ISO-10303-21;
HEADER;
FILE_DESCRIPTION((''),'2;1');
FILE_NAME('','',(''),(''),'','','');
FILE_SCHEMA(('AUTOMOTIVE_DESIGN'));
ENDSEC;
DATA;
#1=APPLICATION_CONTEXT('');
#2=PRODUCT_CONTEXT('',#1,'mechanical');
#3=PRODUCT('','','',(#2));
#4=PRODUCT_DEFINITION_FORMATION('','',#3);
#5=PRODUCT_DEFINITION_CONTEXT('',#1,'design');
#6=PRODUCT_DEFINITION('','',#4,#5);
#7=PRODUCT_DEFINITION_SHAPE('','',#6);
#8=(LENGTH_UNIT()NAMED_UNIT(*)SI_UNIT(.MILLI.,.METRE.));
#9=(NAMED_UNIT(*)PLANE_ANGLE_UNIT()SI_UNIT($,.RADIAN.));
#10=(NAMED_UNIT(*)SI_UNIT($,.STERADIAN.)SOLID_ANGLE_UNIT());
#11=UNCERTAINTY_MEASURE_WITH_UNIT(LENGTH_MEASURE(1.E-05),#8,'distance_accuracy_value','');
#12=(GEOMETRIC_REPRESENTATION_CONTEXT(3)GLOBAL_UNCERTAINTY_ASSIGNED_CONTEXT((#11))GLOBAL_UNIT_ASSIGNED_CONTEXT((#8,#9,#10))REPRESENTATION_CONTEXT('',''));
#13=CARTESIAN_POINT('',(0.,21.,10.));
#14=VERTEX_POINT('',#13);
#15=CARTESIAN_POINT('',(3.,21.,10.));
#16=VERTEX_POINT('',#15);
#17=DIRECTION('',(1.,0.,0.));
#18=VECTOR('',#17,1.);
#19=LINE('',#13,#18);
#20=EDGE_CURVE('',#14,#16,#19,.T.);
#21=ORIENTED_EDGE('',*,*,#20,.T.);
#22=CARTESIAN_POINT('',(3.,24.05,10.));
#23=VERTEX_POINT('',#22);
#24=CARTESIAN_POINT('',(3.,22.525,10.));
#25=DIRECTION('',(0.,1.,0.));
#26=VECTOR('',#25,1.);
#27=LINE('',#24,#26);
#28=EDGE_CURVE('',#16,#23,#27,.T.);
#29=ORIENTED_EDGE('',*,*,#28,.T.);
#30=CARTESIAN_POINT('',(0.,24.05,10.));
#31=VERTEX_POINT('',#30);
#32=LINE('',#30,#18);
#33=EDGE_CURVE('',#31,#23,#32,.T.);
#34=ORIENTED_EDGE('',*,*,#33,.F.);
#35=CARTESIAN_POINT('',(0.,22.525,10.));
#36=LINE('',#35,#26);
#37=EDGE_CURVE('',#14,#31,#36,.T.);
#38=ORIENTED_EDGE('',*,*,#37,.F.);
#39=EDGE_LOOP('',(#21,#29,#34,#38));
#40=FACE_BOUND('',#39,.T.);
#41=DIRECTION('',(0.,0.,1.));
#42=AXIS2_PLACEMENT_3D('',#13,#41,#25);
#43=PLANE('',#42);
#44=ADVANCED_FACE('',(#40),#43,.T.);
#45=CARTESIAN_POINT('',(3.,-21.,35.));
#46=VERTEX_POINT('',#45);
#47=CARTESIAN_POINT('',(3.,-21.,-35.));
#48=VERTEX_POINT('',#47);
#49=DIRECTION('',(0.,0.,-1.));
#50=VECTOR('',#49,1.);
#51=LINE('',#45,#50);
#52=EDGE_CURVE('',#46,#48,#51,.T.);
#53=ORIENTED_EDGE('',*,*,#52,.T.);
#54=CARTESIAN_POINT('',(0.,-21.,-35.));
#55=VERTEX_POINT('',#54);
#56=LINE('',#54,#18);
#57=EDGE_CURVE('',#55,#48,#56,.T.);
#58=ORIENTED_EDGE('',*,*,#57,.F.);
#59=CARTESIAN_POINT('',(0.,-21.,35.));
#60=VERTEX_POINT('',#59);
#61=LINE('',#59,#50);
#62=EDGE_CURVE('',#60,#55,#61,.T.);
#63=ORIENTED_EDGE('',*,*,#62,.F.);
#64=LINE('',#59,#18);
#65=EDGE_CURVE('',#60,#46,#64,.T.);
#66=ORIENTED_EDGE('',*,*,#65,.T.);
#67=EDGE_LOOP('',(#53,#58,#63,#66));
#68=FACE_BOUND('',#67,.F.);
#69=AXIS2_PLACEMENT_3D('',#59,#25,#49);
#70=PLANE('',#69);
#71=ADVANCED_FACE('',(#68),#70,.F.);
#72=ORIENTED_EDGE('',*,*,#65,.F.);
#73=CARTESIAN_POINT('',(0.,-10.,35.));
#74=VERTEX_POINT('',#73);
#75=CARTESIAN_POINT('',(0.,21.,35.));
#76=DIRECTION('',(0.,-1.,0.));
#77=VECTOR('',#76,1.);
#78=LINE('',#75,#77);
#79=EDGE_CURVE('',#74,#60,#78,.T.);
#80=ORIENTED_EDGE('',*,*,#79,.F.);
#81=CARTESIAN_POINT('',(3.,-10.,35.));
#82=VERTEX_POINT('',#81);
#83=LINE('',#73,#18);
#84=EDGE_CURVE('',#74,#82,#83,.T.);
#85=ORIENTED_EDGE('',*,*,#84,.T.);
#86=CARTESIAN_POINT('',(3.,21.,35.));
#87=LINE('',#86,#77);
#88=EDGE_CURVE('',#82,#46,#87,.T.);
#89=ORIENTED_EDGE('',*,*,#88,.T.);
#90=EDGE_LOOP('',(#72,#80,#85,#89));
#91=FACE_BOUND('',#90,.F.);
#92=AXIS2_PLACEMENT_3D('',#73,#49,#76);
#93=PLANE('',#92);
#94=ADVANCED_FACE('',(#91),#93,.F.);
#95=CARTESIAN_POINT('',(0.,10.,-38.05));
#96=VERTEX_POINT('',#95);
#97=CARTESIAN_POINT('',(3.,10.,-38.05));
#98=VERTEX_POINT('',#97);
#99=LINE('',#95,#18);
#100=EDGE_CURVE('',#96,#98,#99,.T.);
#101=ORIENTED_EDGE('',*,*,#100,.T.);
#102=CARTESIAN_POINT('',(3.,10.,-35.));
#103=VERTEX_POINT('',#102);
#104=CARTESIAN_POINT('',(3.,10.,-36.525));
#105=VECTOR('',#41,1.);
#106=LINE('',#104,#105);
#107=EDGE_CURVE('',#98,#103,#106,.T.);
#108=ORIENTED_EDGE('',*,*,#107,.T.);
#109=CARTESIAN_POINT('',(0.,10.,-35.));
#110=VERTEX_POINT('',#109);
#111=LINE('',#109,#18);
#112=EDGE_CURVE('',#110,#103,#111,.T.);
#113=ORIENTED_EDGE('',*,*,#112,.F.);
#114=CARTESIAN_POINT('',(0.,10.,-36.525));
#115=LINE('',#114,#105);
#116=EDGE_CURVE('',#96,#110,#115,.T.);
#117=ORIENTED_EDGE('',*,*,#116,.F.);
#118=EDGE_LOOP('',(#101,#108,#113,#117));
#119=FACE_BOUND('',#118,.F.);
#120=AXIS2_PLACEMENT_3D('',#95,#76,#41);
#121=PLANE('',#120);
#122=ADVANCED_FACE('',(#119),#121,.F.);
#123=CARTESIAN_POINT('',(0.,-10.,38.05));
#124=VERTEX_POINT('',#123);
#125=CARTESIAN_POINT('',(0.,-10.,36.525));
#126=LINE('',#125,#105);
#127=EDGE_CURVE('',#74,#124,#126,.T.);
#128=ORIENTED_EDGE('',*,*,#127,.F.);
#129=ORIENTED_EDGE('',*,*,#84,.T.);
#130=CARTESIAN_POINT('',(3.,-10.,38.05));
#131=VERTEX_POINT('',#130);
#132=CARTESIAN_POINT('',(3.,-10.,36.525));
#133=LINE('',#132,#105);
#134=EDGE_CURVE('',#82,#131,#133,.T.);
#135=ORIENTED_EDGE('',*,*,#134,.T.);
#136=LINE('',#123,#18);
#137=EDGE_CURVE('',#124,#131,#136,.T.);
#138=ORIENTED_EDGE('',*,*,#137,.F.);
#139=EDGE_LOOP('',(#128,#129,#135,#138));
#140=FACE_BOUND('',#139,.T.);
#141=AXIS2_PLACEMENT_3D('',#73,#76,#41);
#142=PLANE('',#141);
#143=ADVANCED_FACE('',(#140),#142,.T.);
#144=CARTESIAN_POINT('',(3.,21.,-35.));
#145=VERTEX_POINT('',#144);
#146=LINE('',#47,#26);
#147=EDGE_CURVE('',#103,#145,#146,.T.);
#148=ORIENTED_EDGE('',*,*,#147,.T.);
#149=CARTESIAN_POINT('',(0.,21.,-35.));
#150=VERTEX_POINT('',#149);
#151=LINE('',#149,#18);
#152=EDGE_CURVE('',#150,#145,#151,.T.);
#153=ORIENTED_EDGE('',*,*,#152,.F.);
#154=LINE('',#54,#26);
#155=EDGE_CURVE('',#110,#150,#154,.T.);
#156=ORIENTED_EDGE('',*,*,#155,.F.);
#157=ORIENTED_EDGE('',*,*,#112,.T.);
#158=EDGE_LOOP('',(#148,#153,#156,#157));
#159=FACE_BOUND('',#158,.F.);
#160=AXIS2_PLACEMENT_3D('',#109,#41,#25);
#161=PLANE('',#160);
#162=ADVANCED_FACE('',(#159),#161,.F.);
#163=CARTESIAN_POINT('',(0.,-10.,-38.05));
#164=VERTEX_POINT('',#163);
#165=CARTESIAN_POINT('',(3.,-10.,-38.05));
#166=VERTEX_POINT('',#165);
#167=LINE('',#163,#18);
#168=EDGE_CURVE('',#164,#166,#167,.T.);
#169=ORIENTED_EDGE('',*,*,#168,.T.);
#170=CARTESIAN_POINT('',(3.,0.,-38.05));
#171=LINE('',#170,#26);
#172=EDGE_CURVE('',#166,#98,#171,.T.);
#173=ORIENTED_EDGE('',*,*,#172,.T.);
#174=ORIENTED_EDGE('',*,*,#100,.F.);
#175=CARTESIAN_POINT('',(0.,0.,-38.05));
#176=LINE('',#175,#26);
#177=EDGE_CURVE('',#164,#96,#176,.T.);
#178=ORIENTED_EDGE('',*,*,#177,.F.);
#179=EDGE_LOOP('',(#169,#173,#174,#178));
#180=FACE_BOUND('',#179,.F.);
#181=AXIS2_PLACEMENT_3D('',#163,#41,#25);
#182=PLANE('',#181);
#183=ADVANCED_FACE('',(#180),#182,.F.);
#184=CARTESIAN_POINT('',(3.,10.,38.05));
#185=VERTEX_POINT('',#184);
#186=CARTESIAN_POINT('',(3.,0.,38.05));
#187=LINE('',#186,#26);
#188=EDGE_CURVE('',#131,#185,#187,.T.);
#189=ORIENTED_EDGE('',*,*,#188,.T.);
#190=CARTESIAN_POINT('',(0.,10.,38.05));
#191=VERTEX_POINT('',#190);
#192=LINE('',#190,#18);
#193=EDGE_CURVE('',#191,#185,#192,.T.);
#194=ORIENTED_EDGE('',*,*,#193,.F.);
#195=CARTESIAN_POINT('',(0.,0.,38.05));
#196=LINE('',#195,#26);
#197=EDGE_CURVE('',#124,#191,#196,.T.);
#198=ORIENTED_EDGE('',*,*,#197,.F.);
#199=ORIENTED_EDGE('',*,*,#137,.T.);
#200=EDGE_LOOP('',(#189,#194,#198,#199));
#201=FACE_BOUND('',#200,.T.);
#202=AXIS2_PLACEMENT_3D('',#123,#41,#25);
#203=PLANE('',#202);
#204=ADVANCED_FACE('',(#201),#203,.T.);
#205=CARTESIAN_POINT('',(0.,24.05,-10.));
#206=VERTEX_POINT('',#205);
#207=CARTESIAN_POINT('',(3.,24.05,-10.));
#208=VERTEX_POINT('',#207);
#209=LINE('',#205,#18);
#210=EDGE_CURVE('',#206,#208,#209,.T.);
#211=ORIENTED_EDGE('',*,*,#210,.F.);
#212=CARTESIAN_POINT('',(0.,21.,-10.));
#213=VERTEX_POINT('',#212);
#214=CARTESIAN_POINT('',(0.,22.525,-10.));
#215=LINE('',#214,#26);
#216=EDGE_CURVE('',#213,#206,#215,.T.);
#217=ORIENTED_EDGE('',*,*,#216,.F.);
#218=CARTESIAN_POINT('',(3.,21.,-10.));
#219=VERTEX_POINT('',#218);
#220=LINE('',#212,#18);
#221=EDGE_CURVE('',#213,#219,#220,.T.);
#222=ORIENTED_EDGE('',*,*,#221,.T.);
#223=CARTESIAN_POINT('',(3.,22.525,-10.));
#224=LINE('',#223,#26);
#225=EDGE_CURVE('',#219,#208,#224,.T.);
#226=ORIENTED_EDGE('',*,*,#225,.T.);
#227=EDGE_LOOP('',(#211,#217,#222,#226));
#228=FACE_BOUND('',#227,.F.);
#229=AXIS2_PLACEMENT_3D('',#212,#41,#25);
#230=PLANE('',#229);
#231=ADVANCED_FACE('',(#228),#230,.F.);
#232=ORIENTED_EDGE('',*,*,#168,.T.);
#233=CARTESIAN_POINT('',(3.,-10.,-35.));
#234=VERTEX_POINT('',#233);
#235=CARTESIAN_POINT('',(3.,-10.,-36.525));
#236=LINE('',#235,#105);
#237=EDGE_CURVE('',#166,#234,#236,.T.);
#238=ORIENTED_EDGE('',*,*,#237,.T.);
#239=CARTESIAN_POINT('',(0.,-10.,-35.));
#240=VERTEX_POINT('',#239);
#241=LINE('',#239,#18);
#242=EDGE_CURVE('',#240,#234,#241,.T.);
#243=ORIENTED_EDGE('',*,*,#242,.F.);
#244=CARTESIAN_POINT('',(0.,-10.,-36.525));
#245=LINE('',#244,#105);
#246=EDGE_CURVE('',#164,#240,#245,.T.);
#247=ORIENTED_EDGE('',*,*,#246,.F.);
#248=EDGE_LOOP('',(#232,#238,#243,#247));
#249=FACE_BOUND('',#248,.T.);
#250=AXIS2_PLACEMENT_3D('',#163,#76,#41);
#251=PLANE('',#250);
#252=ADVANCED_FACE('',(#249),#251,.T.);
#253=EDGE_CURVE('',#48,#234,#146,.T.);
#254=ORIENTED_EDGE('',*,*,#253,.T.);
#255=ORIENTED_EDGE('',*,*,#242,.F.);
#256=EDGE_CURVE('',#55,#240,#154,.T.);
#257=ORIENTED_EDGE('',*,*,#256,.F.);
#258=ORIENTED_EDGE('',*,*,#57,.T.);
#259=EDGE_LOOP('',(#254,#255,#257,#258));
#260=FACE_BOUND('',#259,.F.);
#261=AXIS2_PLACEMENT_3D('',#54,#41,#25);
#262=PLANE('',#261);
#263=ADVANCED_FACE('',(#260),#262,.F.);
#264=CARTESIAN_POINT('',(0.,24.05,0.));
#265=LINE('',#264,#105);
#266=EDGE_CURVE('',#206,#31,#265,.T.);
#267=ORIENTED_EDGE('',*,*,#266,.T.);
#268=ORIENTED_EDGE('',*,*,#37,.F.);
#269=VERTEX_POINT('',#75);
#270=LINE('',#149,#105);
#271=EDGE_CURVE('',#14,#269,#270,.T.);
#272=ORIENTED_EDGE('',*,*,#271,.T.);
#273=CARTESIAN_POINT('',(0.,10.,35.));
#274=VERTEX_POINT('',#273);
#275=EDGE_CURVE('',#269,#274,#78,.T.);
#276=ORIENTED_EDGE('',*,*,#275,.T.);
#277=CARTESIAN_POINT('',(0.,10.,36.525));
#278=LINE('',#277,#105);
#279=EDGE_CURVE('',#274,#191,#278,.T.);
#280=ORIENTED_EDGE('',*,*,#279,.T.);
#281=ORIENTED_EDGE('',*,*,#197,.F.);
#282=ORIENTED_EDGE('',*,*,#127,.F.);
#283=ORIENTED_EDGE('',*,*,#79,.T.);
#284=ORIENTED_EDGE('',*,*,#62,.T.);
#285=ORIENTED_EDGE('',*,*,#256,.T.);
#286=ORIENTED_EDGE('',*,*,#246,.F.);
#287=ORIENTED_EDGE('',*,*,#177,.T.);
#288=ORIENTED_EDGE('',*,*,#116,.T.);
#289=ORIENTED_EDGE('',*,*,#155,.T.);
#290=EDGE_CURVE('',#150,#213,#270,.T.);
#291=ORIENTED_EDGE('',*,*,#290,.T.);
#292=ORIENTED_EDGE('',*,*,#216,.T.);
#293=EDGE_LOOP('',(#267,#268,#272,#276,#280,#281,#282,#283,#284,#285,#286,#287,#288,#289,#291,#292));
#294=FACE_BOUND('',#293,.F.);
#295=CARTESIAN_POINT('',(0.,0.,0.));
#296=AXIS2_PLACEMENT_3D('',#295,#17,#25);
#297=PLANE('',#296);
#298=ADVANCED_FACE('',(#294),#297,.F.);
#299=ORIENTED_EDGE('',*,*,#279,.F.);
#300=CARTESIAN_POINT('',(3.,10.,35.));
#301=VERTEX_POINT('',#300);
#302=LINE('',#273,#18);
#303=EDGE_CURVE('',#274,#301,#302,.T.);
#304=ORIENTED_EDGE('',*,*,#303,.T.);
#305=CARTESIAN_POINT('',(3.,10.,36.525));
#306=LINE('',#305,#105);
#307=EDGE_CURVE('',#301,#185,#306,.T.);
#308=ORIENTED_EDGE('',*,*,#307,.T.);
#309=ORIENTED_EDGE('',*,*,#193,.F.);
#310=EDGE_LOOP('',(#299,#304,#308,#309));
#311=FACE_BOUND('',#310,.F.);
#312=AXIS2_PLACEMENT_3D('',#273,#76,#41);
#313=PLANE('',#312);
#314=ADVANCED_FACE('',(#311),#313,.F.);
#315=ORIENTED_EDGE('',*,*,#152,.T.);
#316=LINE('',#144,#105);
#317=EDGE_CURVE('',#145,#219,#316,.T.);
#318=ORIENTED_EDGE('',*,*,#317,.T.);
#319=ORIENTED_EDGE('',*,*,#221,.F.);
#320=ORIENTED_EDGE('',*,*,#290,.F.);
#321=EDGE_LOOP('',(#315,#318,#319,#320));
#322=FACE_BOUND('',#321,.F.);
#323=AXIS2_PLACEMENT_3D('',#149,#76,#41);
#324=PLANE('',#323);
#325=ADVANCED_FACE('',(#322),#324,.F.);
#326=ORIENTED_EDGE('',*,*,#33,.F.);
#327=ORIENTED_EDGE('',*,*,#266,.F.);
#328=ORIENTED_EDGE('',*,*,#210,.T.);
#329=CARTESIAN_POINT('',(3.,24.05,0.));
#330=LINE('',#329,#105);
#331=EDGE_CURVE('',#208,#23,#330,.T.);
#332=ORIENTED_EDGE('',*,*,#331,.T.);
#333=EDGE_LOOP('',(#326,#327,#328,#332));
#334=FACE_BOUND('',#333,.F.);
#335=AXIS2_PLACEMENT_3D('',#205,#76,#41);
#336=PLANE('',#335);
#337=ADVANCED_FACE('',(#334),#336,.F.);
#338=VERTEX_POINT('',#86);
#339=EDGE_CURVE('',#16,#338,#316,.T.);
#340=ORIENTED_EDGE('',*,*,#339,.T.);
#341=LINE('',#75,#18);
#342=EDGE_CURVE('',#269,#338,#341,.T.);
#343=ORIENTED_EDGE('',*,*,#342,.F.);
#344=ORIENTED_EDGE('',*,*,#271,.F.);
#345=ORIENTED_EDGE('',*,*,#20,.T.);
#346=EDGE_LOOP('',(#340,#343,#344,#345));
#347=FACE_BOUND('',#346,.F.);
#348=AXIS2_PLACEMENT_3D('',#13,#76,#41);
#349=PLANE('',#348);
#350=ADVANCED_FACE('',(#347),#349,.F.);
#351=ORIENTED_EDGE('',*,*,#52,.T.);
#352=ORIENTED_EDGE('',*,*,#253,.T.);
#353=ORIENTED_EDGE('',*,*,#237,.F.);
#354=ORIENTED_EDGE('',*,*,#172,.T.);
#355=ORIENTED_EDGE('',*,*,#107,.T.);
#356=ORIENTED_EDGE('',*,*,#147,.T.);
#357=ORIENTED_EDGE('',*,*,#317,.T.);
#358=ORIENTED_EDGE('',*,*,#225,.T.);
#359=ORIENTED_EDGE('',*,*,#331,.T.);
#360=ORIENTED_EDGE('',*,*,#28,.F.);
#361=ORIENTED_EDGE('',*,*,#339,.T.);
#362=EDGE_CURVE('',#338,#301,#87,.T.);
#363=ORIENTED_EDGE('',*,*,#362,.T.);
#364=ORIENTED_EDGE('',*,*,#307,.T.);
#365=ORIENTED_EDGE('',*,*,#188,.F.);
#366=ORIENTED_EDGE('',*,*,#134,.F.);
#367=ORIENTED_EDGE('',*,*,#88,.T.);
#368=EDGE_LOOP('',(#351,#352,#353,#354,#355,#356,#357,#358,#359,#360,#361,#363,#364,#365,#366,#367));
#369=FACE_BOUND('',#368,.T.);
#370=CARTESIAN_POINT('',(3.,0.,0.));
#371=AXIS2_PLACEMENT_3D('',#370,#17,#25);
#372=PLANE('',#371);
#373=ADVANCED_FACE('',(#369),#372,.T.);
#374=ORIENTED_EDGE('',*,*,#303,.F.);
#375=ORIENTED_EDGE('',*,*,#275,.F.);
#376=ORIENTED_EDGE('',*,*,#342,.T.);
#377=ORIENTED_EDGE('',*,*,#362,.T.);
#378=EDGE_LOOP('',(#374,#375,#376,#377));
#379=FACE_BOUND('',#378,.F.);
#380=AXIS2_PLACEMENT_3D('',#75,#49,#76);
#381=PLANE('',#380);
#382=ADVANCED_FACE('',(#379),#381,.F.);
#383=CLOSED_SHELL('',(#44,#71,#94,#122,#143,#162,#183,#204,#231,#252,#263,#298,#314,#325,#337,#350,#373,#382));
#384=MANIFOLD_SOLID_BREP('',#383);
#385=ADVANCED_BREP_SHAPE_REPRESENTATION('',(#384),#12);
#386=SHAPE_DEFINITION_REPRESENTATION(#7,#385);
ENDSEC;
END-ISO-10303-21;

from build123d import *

# Parameters (mm, degrees)
F0_W     = 20
F0_H     = 3.05
F0_W_2   = 3.05
F0_H_2   = 20
F1_DEPTH = 3


with BuildPart() as f1:
    # F0 (on Right) → F1 (new body)
    with BuildSketch(Plane.YZ):
        Polygon((10, -35), (21, -35), (21, -10), (21, 10), (21, 35), (10, 35), (-10, 35), (-21, 35), (-21, -35), (-10, -35), align=None)
        with Locations((0, -36.525)):
            Rectangle(F0_W, F0_H)
        with Locations((22.525, 0)):
            Rectangle(F0_W_2, F0_H_2)
        with Locations((0, 36.525)):
            Rectangle(F0_W, F0_H)
    extrude(amount=F1_DEPTH)


solid = f1.part
